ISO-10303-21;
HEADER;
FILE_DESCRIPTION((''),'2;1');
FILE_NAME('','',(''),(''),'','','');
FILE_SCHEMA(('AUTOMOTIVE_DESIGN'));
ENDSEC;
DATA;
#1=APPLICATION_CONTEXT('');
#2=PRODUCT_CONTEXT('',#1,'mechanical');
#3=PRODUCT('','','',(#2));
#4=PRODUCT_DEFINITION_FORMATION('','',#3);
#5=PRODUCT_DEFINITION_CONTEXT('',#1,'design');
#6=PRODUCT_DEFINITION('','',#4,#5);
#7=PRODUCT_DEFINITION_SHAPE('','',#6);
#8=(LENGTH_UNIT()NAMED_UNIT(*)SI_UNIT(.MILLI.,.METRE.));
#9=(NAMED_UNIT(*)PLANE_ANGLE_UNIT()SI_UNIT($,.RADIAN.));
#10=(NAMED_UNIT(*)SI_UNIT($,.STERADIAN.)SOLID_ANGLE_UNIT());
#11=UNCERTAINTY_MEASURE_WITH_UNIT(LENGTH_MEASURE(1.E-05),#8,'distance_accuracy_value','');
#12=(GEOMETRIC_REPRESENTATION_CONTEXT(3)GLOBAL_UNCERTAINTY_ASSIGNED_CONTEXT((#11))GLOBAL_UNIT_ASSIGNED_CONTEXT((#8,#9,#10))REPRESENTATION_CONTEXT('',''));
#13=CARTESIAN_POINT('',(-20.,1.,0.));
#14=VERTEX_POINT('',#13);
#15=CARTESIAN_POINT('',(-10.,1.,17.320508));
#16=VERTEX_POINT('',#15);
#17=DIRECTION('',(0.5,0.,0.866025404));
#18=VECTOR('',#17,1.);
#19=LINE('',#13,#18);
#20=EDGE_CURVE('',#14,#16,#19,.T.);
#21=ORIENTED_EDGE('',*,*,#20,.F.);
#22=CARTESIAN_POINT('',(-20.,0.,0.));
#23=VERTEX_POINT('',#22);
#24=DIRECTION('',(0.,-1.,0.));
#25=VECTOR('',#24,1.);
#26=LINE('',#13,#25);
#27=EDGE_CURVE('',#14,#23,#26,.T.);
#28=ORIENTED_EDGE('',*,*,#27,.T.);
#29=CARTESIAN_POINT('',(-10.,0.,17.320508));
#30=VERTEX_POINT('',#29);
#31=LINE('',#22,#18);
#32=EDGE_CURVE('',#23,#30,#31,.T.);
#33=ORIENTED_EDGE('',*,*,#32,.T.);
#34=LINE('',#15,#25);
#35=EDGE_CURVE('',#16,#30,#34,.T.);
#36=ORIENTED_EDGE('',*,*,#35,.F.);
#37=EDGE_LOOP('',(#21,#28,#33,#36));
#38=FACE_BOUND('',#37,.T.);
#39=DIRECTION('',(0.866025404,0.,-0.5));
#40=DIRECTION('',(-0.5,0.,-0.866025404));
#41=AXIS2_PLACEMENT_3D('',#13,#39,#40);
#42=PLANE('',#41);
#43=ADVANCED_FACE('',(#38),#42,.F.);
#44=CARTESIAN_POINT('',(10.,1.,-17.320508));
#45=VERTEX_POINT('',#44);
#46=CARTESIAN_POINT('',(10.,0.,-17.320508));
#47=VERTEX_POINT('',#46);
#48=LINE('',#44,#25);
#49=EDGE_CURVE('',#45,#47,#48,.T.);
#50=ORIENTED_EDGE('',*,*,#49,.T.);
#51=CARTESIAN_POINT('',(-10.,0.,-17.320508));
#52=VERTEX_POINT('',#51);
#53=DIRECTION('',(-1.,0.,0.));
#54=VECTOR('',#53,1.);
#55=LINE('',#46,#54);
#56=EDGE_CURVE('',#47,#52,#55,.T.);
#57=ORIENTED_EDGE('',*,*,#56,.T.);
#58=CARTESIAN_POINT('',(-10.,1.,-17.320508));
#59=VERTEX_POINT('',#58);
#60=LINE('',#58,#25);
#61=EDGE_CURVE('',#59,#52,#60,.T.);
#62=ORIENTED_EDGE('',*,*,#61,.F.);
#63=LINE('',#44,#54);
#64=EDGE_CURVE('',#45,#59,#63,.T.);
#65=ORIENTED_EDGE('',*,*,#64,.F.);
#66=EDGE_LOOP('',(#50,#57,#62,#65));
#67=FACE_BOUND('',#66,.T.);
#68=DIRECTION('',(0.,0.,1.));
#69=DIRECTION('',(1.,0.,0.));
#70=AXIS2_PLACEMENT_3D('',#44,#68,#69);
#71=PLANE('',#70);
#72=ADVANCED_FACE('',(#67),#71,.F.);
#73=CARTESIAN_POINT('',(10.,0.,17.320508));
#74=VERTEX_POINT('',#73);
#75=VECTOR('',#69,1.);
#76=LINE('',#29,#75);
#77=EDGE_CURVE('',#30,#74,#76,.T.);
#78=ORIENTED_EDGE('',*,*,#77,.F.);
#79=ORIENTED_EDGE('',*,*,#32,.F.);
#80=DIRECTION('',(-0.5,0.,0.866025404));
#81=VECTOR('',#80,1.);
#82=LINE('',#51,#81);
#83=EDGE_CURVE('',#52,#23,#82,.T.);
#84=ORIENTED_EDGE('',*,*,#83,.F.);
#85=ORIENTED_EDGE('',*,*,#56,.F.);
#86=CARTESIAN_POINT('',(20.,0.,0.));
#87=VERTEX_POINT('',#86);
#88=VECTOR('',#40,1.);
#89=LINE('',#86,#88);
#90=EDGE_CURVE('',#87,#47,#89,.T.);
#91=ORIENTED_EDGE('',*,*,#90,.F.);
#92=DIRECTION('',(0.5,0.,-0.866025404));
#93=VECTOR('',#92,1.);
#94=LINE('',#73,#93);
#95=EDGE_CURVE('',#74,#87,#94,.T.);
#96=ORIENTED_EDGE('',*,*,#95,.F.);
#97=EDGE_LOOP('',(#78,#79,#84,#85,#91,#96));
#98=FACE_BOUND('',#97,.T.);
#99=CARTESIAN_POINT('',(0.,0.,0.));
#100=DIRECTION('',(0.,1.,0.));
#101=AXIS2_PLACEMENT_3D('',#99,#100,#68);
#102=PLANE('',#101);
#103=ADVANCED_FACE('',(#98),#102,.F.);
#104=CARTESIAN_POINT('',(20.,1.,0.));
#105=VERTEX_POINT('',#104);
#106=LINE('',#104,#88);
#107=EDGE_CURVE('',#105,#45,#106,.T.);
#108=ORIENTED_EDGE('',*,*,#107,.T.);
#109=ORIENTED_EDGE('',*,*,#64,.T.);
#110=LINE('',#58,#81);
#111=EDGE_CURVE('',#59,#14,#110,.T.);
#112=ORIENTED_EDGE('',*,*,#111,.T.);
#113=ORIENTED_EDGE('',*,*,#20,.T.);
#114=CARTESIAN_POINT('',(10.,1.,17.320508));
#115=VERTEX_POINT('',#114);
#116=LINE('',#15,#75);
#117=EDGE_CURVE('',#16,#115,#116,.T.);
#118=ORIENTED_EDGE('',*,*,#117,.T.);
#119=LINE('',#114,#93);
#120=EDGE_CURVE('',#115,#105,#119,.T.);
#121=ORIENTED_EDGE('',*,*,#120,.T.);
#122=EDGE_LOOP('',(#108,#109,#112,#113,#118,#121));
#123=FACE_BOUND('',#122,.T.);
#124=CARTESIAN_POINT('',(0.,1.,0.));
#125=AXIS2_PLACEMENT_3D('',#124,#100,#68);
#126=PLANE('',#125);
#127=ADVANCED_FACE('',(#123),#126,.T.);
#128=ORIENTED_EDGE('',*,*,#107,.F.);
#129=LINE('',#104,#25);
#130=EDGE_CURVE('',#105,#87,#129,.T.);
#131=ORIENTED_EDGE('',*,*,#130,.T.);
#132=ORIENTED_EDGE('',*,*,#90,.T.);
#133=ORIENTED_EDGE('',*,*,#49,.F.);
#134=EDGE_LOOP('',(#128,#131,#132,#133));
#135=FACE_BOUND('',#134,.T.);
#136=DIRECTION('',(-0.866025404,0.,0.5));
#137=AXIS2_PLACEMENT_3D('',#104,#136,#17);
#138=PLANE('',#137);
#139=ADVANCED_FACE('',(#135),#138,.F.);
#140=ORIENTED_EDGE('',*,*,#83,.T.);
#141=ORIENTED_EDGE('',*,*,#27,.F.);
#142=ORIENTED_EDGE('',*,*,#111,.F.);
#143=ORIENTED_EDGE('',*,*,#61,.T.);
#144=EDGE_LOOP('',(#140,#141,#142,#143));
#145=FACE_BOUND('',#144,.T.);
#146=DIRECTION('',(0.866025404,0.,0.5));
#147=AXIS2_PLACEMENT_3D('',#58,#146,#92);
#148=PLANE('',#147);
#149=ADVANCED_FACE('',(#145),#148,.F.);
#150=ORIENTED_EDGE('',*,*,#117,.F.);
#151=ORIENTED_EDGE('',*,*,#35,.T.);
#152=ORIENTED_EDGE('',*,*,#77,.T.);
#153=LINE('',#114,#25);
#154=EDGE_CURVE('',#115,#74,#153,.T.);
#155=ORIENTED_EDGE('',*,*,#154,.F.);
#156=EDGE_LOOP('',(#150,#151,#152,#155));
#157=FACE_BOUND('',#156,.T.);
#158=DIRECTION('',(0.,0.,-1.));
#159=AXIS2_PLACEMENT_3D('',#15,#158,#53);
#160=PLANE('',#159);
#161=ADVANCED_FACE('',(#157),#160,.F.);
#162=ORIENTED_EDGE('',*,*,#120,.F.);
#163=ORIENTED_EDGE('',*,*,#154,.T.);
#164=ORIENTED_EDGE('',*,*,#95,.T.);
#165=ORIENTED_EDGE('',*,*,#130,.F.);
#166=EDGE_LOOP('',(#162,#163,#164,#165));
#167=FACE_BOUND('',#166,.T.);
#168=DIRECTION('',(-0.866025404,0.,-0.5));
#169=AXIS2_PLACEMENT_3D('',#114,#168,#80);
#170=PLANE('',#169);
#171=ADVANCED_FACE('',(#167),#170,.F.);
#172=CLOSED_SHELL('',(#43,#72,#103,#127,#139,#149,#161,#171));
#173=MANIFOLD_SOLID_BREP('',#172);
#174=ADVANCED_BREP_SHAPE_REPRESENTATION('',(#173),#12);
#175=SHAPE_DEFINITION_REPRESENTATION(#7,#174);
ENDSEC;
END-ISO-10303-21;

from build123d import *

# Parameters (mm, degrees)
EXTRUDE_1_DEPTH = 1


with BuildPart() as part:
    # 草圖1 → 填料-伸長1 (new body)
    with BuildSketch(Plane(origin=(0, 0, 0), x_dir=(1, 0, 0), z_dir=(0, 1, 0))):
        Polygon((-20, 0), (-10, -17.320508076), (10, -17.320508076), (20, 0), (10, 17.320508076), (-10, 17.320508076), align=None)
    extrude(amount=EXTRUDE_1_DEPTH)


solid = part.part
